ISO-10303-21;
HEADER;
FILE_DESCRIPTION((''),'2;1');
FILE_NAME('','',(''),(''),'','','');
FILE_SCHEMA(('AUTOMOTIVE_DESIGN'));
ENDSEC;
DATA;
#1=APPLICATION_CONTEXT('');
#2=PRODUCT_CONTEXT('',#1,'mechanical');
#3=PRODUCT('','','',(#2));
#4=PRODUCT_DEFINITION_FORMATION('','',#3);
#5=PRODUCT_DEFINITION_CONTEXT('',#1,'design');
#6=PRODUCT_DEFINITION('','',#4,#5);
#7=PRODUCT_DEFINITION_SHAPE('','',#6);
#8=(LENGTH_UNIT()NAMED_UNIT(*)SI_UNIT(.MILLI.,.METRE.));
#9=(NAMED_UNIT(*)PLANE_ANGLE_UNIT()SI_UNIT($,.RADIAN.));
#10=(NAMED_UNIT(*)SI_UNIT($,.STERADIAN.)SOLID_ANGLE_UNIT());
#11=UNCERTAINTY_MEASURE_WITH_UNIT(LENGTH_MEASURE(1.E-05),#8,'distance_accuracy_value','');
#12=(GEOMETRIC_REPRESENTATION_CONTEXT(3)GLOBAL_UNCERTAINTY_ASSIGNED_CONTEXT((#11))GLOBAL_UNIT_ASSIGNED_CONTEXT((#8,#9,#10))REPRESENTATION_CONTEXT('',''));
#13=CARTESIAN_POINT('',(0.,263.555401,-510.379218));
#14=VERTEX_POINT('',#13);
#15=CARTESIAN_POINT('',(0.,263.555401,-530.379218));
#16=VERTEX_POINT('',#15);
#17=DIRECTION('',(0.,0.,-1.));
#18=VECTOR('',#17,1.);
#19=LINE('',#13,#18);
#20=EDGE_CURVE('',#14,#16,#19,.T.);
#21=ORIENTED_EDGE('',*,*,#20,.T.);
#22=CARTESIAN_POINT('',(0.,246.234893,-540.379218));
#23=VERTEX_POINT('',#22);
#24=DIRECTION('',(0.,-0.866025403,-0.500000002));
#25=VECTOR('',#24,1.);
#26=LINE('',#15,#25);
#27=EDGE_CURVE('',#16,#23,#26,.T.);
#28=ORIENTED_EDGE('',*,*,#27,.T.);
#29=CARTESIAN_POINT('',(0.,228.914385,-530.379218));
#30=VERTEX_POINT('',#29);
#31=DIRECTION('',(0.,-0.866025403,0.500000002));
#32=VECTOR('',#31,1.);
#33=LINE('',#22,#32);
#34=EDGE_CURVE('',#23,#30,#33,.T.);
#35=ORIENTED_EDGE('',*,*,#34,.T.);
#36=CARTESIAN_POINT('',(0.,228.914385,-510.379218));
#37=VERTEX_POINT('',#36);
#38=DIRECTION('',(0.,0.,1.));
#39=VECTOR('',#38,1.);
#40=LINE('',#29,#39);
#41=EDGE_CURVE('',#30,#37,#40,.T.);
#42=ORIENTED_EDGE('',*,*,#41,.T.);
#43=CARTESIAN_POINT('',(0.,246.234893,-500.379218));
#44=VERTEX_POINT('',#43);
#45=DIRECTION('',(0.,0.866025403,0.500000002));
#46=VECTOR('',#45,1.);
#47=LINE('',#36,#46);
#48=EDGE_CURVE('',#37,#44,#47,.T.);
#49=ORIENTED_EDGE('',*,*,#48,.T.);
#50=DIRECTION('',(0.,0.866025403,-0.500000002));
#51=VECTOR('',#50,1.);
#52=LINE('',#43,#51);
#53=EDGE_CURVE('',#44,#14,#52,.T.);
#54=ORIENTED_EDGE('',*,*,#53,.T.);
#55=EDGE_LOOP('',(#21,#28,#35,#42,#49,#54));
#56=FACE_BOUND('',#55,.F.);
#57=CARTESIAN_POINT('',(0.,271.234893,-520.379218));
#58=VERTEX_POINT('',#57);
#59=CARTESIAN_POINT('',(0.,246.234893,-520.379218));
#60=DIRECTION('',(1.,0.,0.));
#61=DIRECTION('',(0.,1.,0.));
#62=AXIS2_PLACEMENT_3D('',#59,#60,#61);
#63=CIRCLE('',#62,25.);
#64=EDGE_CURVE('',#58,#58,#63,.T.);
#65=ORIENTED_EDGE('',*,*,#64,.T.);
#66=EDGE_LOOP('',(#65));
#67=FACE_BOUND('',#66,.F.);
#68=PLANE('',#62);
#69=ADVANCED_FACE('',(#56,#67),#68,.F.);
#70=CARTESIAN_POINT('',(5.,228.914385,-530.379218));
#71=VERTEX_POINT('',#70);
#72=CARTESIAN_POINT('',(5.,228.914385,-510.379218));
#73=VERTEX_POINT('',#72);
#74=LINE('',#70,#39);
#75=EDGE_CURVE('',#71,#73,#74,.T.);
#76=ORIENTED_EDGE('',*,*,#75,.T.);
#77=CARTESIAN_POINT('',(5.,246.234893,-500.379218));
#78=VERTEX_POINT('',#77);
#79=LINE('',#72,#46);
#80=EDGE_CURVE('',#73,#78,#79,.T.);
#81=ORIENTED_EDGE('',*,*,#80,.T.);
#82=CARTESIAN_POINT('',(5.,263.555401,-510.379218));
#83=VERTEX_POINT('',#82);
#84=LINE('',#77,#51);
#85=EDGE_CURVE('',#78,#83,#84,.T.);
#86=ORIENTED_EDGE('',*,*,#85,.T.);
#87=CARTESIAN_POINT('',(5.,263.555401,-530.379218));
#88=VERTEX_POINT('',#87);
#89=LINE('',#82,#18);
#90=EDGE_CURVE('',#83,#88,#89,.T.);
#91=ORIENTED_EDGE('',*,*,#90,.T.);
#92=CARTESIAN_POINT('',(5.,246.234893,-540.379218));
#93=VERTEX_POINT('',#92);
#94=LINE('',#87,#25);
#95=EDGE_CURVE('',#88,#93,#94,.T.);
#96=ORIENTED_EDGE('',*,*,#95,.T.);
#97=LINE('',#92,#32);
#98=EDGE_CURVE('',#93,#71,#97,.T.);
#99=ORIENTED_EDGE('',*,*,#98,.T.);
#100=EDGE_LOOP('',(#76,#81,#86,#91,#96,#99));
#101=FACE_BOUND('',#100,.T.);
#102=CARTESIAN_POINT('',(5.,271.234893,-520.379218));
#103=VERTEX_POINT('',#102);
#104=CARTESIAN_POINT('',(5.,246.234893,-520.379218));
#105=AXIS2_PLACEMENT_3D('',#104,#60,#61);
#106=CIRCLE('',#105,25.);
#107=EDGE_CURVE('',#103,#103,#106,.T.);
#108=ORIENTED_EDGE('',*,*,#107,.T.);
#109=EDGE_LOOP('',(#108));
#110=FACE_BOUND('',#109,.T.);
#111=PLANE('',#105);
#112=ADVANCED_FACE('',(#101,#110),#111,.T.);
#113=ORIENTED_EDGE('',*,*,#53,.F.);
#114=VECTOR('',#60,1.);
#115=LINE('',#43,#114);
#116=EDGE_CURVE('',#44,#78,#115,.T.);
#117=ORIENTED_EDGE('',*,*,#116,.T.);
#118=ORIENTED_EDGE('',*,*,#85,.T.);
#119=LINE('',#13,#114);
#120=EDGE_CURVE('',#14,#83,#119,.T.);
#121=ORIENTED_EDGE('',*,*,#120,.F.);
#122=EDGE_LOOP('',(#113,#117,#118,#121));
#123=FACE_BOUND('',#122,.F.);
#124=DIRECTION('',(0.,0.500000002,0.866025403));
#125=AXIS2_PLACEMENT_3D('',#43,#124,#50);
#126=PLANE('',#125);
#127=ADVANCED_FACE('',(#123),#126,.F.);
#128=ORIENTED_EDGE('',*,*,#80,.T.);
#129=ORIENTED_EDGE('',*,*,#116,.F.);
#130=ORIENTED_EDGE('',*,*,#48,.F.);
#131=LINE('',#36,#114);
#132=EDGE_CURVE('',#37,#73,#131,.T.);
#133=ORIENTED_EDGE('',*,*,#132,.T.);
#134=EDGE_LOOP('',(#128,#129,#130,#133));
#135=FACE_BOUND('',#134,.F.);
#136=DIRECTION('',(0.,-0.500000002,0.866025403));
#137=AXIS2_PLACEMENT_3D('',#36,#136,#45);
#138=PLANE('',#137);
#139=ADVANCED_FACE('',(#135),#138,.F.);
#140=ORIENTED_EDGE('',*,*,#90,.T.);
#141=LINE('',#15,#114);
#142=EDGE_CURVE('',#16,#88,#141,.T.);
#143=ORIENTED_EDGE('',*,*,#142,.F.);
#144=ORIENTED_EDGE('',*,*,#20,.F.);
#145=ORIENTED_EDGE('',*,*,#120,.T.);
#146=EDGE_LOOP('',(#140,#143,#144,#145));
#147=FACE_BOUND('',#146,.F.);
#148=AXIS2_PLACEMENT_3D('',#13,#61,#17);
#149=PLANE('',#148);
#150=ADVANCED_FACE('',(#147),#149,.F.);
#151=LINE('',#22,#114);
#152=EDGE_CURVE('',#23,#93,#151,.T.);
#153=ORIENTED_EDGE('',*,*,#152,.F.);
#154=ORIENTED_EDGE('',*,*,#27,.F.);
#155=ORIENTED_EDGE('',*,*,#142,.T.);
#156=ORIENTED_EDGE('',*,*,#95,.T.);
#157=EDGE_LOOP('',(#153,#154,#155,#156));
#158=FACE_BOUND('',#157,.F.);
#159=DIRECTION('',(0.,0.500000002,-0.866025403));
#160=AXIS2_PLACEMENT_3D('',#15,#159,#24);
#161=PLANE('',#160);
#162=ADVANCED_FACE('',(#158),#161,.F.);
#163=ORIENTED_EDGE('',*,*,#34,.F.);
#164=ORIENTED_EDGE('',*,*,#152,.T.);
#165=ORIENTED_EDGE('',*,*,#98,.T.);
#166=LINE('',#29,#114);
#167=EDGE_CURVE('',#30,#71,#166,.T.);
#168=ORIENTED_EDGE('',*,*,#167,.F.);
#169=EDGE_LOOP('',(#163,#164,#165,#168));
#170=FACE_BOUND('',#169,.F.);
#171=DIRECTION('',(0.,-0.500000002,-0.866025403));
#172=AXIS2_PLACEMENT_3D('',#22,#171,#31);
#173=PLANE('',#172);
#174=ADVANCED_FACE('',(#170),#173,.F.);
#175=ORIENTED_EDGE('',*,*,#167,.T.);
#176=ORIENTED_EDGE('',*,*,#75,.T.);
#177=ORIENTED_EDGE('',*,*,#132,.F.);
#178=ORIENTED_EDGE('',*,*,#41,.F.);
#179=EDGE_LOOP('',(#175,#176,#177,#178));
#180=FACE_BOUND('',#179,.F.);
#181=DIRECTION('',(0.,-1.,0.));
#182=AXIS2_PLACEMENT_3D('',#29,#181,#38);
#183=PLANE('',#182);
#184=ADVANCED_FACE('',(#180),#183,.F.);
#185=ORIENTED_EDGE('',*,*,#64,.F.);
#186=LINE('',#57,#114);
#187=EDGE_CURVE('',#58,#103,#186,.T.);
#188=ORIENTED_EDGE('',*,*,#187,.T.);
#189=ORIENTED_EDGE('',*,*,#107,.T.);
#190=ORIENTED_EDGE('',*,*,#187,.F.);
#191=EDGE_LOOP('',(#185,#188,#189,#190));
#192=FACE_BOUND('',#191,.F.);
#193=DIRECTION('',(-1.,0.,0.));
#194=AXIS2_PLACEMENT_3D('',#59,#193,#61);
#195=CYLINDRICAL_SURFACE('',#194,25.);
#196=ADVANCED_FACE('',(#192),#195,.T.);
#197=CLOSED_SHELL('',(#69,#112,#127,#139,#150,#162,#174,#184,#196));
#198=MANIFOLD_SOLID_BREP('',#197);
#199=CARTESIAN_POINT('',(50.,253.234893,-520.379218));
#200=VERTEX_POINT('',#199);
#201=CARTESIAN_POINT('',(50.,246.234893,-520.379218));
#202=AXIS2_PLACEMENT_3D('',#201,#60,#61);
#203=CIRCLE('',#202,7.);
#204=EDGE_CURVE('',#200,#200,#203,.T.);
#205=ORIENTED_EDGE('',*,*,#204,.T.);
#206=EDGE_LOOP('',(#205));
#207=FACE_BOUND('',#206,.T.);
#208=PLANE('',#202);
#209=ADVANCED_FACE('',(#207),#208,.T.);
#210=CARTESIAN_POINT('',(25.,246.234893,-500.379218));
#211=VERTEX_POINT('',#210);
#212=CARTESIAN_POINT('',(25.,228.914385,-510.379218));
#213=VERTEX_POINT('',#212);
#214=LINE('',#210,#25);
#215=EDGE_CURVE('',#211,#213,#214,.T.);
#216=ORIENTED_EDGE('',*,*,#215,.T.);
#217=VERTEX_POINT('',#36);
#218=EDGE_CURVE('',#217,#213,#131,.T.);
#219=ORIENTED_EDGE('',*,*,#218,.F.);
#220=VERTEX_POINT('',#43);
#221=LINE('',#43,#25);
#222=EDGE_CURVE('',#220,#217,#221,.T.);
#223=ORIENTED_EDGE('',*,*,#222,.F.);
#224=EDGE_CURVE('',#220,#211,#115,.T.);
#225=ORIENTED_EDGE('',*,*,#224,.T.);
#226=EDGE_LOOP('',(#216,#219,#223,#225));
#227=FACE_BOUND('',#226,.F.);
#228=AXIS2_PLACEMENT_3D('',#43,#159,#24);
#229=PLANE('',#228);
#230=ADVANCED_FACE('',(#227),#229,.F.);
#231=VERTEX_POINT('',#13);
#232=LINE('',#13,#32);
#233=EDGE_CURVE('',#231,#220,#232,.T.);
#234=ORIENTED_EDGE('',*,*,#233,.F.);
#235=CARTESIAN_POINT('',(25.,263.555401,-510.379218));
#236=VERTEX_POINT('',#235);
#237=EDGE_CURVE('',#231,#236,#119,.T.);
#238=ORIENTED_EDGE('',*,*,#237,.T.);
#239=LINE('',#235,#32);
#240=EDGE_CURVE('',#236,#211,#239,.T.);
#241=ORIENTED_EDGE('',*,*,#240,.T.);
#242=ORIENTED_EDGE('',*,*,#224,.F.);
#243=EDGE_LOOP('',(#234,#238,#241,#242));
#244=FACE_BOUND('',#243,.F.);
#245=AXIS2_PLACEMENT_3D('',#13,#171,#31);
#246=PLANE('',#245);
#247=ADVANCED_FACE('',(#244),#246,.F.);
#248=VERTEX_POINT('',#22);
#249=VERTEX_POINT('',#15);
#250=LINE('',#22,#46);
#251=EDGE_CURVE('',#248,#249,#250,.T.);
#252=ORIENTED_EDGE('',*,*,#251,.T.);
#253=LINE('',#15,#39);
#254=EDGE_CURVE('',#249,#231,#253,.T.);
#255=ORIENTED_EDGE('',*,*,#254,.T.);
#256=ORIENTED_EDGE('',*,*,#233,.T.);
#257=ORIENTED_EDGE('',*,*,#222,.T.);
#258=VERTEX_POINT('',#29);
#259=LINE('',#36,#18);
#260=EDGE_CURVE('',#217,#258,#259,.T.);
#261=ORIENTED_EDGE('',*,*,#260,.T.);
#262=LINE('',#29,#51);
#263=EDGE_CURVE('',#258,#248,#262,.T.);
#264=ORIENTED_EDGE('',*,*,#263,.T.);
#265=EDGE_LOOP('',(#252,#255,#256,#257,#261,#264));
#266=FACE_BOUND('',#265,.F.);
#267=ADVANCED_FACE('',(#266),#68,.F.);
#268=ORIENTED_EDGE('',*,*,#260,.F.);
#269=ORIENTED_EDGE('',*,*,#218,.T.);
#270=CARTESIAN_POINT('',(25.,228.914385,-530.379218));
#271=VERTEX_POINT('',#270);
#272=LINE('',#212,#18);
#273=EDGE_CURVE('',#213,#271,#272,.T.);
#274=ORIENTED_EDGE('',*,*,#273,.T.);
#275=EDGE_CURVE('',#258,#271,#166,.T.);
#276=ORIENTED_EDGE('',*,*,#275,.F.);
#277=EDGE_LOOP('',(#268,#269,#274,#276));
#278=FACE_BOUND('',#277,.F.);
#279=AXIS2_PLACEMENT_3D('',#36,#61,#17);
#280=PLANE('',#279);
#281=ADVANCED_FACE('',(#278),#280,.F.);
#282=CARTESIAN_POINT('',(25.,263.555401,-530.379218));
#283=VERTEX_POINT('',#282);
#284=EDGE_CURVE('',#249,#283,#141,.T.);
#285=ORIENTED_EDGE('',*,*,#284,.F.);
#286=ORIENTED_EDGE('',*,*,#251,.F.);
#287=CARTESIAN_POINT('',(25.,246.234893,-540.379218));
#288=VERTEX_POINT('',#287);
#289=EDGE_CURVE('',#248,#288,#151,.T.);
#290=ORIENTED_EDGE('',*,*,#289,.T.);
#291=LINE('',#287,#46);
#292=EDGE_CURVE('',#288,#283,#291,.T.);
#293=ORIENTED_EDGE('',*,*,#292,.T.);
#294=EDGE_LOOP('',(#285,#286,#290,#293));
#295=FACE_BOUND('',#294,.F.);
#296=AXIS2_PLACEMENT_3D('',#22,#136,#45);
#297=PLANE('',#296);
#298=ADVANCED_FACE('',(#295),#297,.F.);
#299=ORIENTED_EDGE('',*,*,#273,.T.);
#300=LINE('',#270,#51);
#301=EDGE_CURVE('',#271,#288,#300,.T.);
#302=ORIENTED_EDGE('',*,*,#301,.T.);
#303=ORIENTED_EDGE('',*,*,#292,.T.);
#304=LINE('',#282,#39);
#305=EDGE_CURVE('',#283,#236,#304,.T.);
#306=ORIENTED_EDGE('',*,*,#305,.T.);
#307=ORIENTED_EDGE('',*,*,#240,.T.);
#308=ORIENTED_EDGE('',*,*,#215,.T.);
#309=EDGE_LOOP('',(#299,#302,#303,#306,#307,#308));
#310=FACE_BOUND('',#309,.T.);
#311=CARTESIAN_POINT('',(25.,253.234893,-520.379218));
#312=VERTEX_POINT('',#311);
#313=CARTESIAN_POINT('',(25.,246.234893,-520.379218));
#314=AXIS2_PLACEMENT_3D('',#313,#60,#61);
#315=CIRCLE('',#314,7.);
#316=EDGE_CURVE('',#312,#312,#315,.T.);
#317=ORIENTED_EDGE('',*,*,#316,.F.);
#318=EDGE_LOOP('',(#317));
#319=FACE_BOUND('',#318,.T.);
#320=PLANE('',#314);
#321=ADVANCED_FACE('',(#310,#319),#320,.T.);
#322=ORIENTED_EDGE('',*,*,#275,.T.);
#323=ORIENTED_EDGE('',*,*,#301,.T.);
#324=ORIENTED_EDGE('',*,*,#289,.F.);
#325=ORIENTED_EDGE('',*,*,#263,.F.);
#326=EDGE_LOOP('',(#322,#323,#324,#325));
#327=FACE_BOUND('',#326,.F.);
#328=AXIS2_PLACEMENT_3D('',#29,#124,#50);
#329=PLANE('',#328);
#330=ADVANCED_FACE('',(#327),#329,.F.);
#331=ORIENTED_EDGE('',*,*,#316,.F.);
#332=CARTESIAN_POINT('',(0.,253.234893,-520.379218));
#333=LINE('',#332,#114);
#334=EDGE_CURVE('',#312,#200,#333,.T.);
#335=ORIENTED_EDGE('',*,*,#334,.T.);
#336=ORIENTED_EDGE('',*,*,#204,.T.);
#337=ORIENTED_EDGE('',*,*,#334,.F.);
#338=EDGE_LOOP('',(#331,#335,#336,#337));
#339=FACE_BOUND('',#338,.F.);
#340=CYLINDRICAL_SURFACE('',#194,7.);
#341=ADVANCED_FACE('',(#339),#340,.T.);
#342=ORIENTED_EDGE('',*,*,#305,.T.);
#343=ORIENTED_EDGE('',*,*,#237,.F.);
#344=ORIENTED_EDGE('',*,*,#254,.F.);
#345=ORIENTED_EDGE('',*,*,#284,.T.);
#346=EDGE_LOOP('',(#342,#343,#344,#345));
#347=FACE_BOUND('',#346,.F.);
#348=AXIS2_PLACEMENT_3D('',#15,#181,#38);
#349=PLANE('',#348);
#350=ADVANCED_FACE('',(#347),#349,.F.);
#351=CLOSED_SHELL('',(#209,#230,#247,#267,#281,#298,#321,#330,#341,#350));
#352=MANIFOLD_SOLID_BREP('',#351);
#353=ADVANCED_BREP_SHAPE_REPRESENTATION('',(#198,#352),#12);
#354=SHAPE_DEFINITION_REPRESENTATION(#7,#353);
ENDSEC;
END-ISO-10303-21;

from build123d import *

# Parameters (mm, degrees)
F0_R     = 7
F1_DEPTH = 50
F2_DEPTH = 25
F0_R_2   = 25
F3_DEPTH = 5


with BuildPart() as f1:
    # F0 (on Right) → F1 (new body)
    with BuildSketch(Plane.YZ):
        with Locations((246.234893, -520.379218)):
            Circle(F0_R)
    extrude(amount=F1_DEPTH)

    # F0 (on Right) → F2 (join)
    with BuildSketch(Plane.YZ):
        Polygon((246.234893, -500.379218), (228.914385, -510.379218), (228.914385, -530.379218), (246.234893, -540.379218), (263.555401, -530.379218), (263.555401, -510.379218), align=None)
        with Locations((246.234893, -520.379218)):
            Circle(F0_R, mode=Mode.SUBTRACT)
    extrude(amount=F2_DEPTH)


with BuildPart() as f3:
    # F0 (on Right) → F3 (new body)
    with BuildSketch(Plane.YZ):
        with Locations((246.234893, -520.379218)):
            Circle(F0_R_2)
        Polygon((228.914385, -530.379218), (228.914385, -510.379218), (246.234893, -500.379218), (263.555401, -510.379218), (263.555401, -530.379218), (246.234893, -540.379218), align=None, mode=Mode.SUBTRACT)
    extrude(amount=F3_DEPTH)


solid = Compound([f1.part, f3.part])
